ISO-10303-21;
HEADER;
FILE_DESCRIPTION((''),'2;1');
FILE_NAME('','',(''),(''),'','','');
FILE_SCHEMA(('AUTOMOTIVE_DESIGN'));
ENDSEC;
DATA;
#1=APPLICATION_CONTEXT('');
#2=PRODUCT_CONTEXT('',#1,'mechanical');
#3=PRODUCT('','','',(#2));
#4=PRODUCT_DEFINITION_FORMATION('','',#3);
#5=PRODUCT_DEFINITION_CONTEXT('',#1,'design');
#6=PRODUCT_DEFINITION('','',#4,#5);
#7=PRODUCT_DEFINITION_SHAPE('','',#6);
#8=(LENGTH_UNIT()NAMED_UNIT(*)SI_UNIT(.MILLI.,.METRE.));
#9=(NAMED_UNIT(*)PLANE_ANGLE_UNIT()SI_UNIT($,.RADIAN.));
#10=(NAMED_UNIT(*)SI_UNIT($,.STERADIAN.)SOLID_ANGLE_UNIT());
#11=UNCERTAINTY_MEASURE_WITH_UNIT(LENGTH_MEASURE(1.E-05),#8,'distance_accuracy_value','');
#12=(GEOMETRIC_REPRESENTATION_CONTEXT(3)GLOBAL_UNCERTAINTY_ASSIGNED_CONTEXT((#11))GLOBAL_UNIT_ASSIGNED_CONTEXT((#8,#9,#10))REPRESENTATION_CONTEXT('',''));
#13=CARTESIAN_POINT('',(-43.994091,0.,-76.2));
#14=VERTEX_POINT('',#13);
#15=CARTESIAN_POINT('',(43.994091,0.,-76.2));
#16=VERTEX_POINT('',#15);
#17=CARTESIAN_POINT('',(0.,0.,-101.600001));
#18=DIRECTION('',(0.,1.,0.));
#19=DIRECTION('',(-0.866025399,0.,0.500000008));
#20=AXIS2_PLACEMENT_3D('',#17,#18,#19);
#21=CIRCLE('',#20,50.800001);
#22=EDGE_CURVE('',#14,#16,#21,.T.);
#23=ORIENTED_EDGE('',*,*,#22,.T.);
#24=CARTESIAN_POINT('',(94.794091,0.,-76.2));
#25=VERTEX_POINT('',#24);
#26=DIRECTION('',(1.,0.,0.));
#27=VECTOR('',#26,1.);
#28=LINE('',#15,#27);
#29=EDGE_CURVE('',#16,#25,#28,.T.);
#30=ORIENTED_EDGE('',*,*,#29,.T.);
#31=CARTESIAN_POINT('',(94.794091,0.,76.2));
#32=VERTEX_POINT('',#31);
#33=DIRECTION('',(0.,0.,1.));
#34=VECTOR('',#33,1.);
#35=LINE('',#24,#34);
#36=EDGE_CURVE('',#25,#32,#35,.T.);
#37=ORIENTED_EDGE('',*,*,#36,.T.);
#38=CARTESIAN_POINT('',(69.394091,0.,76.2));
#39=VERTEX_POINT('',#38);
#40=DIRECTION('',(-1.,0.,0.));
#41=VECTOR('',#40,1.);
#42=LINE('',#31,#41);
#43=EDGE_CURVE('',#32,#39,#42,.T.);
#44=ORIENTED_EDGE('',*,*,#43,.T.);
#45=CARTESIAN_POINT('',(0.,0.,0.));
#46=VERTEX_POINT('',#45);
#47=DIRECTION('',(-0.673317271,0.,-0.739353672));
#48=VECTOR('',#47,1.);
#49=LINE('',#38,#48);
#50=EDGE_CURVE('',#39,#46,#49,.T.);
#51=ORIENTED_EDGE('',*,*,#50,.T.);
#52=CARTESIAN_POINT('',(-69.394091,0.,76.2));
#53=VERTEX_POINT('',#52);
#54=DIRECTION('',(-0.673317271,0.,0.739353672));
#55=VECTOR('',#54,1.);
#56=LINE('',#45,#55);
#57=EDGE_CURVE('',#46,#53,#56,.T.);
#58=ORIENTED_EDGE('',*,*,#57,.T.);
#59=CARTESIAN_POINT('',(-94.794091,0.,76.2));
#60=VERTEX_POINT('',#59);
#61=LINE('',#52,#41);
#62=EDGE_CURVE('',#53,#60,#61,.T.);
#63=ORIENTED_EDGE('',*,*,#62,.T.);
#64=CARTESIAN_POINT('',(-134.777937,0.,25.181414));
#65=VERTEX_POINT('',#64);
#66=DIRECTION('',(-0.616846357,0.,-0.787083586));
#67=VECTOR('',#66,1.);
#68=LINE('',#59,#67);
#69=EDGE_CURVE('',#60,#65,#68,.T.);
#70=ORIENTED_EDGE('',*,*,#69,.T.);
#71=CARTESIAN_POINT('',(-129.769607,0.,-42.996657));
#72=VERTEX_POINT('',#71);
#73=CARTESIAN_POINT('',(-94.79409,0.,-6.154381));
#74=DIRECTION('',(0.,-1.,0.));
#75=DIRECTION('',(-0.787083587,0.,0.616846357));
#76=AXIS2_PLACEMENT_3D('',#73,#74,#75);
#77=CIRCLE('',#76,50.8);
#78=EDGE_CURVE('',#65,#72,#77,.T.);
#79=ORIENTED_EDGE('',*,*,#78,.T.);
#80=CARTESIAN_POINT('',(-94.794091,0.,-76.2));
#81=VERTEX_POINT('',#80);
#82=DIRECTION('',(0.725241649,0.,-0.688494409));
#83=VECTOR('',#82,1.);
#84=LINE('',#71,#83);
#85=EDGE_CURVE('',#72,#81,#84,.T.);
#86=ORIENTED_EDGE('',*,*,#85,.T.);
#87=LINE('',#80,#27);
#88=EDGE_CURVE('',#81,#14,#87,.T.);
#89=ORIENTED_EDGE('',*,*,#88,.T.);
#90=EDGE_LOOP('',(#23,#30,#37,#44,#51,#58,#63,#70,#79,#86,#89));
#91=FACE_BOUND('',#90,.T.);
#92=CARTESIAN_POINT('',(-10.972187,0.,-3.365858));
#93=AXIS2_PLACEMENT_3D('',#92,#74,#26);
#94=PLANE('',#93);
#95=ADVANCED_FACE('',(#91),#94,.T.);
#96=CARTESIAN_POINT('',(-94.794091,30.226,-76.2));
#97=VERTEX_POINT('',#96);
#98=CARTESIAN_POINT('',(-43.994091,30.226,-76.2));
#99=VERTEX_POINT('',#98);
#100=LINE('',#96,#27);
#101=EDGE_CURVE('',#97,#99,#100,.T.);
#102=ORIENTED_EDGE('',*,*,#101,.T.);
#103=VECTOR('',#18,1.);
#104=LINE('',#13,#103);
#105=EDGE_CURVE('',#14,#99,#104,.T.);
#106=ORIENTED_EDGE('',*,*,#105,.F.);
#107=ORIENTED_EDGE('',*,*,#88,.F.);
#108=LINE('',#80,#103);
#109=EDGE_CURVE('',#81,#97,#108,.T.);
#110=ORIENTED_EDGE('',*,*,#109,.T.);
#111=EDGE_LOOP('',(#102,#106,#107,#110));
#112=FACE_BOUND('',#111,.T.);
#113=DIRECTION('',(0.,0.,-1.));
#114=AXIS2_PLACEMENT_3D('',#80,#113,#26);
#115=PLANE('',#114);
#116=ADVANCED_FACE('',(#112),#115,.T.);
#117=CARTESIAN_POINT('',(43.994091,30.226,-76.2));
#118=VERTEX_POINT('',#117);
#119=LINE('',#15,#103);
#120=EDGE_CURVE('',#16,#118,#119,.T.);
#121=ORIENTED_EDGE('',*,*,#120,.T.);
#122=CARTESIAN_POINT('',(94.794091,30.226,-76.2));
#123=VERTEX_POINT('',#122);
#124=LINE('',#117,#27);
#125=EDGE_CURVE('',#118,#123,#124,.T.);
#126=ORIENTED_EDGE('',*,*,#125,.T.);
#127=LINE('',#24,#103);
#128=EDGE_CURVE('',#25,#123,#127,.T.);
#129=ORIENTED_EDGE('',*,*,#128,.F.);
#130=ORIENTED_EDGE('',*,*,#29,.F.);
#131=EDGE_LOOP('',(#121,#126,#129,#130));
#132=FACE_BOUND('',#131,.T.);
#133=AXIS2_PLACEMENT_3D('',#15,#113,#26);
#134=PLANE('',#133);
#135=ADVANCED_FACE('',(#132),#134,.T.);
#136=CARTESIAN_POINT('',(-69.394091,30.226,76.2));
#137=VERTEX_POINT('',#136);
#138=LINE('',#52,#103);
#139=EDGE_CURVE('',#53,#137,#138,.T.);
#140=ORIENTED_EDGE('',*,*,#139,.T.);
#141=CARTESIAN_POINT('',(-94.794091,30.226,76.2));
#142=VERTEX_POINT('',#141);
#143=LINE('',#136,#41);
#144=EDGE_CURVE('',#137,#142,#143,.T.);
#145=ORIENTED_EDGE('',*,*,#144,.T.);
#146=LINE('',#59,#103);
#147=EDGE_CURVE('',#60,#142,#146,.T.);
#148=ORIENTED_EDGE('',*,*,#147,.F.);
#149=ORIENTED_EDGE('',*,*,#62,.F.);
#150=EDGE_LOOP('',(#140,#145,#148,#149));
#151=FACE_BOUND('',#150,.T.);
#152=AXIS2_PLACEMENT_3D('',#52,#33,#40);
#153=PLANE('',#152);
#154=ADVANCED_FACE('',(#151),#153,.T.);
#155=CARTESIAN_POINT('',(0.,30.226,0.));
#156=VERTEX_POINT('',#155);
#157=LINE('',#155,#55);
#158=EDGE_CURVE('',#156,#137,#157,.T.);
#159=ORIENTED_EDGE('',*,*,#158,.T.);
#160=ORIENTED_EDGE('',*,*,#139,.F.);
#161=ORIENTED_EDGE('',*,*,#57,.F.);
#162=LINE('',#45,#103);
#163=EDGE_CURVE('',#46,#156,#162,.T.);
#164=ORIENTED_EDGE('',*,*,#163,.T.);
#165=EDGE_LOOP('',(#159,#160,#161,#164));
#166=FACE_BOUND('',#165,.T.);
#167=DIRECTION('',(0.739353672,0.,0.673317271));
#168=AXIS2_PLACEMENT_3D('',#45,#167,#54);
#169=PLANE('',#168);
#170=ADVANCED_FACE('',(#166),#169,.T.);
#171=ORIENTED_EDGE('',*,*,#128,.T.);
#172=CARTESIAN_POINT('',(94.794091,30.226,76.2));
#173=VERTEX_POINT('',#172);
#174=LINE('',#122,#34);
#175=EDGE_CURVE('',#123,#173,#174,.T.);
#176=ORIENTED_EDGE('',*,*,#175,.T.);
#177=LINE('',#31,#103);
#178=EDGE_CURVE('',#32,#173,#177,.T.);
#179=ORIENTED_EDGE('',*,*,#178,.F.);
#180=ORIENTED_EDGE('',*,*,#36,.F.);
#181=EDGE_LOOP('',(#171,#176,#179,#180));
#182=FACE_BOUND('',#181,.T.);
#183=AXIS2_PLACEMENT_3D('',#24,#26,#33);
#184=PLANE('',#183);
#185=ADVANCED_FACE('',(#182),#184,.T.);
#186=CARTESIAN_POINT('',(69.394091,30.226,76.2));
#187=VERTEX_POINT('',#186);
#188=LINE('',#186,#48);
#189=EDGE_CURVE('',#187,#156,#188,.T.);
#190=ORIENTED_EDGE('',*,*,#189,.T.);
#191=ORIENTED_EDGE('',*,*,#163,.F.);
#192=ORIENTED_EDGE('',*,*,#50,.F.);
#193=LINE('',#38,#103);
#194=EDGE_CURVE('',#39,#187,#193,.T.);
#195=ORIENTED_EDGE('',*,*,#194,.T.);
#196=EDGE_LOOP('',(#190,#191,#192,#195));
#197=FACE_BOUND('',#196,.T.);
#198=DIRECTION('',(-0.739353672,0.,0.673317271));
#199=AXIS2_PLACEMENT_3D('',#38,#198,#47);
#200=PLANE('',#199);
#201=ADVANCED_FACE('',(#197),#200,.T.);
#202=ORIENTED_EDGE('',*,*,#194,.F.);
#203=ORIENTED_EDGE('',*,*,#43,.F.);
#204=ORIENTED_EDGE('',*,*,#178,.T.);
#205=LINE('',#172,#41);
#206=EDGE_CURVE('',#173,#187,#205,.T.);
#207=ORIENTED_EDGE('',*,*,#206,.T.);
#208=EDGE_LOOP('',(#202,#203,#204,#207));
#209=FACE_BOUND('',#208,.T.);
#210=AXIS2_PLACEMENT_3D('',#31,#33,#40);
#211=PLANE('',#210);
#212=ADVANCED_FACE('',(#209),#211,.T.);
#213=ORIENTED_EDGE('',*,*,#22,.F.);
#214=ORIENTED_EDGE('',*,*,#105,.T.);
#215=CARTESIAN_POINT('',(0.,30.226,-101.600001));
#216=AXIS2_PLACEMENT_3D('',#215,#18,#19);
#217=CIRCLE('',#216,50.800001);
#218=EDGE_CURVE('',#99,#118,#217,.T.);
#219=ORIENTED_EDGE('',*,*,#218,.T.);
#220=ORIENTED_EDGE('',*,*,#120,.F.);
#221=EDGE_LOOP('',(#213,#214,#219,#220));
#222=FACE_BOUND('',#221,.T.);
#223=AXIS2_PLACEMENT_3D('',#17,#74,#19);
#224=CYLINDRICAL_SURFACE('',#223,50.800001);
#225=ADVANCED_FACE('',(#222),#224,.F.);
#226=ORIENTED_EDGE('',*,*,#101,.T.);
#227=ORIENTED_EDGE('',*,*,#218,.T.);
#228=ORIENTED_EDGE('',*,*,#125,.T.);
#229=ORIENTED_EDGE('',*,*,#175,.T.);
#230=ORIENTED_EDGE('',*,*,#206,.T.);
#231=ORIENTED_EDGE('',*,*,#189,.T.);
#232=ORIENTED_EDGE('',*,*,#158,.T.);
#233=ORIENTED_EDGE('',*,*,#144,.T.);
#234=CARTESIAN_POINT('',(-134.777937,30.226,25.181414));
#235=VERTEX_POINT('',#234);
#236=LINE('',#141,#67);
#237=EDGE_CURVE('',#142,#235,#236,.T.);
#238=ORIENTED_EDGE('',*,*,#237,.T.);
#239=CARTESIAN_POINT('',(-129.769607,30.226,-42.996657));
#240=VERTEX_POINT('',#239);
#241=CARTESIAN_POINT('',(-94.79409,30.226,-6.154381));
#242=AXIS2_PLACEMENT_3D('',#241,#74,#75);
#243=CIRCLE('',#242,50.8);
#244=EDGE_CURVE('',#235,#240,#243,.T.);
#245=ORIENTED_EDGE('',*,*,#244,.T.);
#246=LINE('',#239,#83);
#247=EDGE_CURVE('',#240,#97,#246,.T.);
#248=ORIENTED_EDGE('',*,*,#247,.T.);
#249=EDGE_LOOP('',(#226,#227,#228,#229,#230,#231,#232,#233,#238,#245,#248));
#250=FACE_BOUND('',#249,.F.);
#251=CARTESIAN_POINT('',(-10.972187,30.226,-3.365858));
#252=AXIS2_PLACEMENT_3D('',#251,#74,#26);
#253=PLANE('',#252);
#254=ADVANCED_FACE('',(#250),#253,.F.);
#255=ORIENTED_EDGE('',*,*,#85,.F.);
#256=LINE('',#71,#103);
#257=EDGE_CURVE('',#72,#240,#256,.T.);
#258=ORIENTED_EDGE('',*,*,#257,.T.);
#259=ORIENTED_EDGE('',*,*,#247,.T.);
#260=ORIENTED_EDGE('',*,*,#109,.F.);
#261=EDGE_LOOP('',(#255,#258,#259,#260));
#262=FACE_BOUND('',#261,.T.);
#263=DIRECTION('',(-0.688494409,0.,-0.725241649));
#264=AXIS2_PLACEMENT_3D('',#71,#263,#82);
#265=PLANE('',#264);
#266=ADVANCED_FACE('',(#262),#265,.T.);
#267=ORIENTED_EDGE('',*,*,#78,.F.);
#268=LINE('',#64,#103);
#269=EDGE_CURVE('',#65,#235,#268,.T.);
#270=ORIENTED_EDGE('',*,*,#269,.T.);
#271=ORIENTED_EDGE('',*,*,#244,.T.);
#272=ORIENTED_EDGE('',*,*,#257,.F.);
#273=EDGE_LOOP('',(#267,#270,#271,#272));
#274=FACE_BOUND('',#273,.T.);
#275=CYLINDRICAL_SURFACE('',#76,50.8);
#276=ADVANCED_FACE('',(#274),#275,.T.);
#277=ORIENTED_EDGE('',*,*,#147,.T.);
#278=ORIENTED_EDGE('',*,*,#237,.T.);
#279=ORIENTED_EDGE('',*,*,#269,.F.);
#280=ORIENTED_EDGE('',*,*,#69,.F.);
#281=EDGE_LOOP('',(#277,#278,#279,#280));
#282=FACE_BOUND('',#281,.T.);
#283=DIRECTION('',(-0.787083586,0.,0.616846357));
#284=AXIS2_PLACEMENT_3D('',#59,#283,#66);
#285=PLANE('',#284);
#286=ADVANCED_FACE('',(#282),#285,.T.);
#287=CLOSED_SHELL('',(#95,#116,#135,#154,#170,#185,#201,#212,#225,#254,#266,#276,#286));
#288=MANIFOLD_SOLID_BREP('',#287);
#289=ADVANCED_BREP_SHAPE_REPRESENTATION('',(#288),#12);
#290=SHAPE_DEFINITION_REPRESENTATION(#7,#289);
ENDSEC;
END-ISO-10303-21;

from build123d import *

# Parameters (mm, degrees)
F1_DEPTH = 30.226


with BuildPart() as f1:
    # F0 (on Front) → F1 (new body)
    with BuildSketch(Plane.XZ):
        with BuildLine():
            Line((69.394091, 76.2), (0, 0))
            Line((0, 0), (-69.394091, 76.2))
            Line((-69.394091, 76.2), (-94.794091, 76.2))
            Line((-94.794091, 76.2), (-134.777937, 25.181414))
            ThreePointArc((-134.777937, 25.181414), (-145.457577, -9.876098), (-129.769607, -42.996657))
            Line((-129.769607, -42.996657), (-94.794091, -76.2))
            Line((-94.794091, -76.2), (-43.994091, -76.2))
            ThreePointArc((-43.994091, -76.2), (0, -50.8), (43.994091, -76.2))
            Line((43.994091, -76.2), (94.794091, -76.2))
            Line((94.794091, -76.2), (94.794091, 76.2))
            Line((94.794091, 76.2), (69.394091, 76.2))
        make_face()
    extrude(amount=-F1_DEPTH)


solid = f1.part
